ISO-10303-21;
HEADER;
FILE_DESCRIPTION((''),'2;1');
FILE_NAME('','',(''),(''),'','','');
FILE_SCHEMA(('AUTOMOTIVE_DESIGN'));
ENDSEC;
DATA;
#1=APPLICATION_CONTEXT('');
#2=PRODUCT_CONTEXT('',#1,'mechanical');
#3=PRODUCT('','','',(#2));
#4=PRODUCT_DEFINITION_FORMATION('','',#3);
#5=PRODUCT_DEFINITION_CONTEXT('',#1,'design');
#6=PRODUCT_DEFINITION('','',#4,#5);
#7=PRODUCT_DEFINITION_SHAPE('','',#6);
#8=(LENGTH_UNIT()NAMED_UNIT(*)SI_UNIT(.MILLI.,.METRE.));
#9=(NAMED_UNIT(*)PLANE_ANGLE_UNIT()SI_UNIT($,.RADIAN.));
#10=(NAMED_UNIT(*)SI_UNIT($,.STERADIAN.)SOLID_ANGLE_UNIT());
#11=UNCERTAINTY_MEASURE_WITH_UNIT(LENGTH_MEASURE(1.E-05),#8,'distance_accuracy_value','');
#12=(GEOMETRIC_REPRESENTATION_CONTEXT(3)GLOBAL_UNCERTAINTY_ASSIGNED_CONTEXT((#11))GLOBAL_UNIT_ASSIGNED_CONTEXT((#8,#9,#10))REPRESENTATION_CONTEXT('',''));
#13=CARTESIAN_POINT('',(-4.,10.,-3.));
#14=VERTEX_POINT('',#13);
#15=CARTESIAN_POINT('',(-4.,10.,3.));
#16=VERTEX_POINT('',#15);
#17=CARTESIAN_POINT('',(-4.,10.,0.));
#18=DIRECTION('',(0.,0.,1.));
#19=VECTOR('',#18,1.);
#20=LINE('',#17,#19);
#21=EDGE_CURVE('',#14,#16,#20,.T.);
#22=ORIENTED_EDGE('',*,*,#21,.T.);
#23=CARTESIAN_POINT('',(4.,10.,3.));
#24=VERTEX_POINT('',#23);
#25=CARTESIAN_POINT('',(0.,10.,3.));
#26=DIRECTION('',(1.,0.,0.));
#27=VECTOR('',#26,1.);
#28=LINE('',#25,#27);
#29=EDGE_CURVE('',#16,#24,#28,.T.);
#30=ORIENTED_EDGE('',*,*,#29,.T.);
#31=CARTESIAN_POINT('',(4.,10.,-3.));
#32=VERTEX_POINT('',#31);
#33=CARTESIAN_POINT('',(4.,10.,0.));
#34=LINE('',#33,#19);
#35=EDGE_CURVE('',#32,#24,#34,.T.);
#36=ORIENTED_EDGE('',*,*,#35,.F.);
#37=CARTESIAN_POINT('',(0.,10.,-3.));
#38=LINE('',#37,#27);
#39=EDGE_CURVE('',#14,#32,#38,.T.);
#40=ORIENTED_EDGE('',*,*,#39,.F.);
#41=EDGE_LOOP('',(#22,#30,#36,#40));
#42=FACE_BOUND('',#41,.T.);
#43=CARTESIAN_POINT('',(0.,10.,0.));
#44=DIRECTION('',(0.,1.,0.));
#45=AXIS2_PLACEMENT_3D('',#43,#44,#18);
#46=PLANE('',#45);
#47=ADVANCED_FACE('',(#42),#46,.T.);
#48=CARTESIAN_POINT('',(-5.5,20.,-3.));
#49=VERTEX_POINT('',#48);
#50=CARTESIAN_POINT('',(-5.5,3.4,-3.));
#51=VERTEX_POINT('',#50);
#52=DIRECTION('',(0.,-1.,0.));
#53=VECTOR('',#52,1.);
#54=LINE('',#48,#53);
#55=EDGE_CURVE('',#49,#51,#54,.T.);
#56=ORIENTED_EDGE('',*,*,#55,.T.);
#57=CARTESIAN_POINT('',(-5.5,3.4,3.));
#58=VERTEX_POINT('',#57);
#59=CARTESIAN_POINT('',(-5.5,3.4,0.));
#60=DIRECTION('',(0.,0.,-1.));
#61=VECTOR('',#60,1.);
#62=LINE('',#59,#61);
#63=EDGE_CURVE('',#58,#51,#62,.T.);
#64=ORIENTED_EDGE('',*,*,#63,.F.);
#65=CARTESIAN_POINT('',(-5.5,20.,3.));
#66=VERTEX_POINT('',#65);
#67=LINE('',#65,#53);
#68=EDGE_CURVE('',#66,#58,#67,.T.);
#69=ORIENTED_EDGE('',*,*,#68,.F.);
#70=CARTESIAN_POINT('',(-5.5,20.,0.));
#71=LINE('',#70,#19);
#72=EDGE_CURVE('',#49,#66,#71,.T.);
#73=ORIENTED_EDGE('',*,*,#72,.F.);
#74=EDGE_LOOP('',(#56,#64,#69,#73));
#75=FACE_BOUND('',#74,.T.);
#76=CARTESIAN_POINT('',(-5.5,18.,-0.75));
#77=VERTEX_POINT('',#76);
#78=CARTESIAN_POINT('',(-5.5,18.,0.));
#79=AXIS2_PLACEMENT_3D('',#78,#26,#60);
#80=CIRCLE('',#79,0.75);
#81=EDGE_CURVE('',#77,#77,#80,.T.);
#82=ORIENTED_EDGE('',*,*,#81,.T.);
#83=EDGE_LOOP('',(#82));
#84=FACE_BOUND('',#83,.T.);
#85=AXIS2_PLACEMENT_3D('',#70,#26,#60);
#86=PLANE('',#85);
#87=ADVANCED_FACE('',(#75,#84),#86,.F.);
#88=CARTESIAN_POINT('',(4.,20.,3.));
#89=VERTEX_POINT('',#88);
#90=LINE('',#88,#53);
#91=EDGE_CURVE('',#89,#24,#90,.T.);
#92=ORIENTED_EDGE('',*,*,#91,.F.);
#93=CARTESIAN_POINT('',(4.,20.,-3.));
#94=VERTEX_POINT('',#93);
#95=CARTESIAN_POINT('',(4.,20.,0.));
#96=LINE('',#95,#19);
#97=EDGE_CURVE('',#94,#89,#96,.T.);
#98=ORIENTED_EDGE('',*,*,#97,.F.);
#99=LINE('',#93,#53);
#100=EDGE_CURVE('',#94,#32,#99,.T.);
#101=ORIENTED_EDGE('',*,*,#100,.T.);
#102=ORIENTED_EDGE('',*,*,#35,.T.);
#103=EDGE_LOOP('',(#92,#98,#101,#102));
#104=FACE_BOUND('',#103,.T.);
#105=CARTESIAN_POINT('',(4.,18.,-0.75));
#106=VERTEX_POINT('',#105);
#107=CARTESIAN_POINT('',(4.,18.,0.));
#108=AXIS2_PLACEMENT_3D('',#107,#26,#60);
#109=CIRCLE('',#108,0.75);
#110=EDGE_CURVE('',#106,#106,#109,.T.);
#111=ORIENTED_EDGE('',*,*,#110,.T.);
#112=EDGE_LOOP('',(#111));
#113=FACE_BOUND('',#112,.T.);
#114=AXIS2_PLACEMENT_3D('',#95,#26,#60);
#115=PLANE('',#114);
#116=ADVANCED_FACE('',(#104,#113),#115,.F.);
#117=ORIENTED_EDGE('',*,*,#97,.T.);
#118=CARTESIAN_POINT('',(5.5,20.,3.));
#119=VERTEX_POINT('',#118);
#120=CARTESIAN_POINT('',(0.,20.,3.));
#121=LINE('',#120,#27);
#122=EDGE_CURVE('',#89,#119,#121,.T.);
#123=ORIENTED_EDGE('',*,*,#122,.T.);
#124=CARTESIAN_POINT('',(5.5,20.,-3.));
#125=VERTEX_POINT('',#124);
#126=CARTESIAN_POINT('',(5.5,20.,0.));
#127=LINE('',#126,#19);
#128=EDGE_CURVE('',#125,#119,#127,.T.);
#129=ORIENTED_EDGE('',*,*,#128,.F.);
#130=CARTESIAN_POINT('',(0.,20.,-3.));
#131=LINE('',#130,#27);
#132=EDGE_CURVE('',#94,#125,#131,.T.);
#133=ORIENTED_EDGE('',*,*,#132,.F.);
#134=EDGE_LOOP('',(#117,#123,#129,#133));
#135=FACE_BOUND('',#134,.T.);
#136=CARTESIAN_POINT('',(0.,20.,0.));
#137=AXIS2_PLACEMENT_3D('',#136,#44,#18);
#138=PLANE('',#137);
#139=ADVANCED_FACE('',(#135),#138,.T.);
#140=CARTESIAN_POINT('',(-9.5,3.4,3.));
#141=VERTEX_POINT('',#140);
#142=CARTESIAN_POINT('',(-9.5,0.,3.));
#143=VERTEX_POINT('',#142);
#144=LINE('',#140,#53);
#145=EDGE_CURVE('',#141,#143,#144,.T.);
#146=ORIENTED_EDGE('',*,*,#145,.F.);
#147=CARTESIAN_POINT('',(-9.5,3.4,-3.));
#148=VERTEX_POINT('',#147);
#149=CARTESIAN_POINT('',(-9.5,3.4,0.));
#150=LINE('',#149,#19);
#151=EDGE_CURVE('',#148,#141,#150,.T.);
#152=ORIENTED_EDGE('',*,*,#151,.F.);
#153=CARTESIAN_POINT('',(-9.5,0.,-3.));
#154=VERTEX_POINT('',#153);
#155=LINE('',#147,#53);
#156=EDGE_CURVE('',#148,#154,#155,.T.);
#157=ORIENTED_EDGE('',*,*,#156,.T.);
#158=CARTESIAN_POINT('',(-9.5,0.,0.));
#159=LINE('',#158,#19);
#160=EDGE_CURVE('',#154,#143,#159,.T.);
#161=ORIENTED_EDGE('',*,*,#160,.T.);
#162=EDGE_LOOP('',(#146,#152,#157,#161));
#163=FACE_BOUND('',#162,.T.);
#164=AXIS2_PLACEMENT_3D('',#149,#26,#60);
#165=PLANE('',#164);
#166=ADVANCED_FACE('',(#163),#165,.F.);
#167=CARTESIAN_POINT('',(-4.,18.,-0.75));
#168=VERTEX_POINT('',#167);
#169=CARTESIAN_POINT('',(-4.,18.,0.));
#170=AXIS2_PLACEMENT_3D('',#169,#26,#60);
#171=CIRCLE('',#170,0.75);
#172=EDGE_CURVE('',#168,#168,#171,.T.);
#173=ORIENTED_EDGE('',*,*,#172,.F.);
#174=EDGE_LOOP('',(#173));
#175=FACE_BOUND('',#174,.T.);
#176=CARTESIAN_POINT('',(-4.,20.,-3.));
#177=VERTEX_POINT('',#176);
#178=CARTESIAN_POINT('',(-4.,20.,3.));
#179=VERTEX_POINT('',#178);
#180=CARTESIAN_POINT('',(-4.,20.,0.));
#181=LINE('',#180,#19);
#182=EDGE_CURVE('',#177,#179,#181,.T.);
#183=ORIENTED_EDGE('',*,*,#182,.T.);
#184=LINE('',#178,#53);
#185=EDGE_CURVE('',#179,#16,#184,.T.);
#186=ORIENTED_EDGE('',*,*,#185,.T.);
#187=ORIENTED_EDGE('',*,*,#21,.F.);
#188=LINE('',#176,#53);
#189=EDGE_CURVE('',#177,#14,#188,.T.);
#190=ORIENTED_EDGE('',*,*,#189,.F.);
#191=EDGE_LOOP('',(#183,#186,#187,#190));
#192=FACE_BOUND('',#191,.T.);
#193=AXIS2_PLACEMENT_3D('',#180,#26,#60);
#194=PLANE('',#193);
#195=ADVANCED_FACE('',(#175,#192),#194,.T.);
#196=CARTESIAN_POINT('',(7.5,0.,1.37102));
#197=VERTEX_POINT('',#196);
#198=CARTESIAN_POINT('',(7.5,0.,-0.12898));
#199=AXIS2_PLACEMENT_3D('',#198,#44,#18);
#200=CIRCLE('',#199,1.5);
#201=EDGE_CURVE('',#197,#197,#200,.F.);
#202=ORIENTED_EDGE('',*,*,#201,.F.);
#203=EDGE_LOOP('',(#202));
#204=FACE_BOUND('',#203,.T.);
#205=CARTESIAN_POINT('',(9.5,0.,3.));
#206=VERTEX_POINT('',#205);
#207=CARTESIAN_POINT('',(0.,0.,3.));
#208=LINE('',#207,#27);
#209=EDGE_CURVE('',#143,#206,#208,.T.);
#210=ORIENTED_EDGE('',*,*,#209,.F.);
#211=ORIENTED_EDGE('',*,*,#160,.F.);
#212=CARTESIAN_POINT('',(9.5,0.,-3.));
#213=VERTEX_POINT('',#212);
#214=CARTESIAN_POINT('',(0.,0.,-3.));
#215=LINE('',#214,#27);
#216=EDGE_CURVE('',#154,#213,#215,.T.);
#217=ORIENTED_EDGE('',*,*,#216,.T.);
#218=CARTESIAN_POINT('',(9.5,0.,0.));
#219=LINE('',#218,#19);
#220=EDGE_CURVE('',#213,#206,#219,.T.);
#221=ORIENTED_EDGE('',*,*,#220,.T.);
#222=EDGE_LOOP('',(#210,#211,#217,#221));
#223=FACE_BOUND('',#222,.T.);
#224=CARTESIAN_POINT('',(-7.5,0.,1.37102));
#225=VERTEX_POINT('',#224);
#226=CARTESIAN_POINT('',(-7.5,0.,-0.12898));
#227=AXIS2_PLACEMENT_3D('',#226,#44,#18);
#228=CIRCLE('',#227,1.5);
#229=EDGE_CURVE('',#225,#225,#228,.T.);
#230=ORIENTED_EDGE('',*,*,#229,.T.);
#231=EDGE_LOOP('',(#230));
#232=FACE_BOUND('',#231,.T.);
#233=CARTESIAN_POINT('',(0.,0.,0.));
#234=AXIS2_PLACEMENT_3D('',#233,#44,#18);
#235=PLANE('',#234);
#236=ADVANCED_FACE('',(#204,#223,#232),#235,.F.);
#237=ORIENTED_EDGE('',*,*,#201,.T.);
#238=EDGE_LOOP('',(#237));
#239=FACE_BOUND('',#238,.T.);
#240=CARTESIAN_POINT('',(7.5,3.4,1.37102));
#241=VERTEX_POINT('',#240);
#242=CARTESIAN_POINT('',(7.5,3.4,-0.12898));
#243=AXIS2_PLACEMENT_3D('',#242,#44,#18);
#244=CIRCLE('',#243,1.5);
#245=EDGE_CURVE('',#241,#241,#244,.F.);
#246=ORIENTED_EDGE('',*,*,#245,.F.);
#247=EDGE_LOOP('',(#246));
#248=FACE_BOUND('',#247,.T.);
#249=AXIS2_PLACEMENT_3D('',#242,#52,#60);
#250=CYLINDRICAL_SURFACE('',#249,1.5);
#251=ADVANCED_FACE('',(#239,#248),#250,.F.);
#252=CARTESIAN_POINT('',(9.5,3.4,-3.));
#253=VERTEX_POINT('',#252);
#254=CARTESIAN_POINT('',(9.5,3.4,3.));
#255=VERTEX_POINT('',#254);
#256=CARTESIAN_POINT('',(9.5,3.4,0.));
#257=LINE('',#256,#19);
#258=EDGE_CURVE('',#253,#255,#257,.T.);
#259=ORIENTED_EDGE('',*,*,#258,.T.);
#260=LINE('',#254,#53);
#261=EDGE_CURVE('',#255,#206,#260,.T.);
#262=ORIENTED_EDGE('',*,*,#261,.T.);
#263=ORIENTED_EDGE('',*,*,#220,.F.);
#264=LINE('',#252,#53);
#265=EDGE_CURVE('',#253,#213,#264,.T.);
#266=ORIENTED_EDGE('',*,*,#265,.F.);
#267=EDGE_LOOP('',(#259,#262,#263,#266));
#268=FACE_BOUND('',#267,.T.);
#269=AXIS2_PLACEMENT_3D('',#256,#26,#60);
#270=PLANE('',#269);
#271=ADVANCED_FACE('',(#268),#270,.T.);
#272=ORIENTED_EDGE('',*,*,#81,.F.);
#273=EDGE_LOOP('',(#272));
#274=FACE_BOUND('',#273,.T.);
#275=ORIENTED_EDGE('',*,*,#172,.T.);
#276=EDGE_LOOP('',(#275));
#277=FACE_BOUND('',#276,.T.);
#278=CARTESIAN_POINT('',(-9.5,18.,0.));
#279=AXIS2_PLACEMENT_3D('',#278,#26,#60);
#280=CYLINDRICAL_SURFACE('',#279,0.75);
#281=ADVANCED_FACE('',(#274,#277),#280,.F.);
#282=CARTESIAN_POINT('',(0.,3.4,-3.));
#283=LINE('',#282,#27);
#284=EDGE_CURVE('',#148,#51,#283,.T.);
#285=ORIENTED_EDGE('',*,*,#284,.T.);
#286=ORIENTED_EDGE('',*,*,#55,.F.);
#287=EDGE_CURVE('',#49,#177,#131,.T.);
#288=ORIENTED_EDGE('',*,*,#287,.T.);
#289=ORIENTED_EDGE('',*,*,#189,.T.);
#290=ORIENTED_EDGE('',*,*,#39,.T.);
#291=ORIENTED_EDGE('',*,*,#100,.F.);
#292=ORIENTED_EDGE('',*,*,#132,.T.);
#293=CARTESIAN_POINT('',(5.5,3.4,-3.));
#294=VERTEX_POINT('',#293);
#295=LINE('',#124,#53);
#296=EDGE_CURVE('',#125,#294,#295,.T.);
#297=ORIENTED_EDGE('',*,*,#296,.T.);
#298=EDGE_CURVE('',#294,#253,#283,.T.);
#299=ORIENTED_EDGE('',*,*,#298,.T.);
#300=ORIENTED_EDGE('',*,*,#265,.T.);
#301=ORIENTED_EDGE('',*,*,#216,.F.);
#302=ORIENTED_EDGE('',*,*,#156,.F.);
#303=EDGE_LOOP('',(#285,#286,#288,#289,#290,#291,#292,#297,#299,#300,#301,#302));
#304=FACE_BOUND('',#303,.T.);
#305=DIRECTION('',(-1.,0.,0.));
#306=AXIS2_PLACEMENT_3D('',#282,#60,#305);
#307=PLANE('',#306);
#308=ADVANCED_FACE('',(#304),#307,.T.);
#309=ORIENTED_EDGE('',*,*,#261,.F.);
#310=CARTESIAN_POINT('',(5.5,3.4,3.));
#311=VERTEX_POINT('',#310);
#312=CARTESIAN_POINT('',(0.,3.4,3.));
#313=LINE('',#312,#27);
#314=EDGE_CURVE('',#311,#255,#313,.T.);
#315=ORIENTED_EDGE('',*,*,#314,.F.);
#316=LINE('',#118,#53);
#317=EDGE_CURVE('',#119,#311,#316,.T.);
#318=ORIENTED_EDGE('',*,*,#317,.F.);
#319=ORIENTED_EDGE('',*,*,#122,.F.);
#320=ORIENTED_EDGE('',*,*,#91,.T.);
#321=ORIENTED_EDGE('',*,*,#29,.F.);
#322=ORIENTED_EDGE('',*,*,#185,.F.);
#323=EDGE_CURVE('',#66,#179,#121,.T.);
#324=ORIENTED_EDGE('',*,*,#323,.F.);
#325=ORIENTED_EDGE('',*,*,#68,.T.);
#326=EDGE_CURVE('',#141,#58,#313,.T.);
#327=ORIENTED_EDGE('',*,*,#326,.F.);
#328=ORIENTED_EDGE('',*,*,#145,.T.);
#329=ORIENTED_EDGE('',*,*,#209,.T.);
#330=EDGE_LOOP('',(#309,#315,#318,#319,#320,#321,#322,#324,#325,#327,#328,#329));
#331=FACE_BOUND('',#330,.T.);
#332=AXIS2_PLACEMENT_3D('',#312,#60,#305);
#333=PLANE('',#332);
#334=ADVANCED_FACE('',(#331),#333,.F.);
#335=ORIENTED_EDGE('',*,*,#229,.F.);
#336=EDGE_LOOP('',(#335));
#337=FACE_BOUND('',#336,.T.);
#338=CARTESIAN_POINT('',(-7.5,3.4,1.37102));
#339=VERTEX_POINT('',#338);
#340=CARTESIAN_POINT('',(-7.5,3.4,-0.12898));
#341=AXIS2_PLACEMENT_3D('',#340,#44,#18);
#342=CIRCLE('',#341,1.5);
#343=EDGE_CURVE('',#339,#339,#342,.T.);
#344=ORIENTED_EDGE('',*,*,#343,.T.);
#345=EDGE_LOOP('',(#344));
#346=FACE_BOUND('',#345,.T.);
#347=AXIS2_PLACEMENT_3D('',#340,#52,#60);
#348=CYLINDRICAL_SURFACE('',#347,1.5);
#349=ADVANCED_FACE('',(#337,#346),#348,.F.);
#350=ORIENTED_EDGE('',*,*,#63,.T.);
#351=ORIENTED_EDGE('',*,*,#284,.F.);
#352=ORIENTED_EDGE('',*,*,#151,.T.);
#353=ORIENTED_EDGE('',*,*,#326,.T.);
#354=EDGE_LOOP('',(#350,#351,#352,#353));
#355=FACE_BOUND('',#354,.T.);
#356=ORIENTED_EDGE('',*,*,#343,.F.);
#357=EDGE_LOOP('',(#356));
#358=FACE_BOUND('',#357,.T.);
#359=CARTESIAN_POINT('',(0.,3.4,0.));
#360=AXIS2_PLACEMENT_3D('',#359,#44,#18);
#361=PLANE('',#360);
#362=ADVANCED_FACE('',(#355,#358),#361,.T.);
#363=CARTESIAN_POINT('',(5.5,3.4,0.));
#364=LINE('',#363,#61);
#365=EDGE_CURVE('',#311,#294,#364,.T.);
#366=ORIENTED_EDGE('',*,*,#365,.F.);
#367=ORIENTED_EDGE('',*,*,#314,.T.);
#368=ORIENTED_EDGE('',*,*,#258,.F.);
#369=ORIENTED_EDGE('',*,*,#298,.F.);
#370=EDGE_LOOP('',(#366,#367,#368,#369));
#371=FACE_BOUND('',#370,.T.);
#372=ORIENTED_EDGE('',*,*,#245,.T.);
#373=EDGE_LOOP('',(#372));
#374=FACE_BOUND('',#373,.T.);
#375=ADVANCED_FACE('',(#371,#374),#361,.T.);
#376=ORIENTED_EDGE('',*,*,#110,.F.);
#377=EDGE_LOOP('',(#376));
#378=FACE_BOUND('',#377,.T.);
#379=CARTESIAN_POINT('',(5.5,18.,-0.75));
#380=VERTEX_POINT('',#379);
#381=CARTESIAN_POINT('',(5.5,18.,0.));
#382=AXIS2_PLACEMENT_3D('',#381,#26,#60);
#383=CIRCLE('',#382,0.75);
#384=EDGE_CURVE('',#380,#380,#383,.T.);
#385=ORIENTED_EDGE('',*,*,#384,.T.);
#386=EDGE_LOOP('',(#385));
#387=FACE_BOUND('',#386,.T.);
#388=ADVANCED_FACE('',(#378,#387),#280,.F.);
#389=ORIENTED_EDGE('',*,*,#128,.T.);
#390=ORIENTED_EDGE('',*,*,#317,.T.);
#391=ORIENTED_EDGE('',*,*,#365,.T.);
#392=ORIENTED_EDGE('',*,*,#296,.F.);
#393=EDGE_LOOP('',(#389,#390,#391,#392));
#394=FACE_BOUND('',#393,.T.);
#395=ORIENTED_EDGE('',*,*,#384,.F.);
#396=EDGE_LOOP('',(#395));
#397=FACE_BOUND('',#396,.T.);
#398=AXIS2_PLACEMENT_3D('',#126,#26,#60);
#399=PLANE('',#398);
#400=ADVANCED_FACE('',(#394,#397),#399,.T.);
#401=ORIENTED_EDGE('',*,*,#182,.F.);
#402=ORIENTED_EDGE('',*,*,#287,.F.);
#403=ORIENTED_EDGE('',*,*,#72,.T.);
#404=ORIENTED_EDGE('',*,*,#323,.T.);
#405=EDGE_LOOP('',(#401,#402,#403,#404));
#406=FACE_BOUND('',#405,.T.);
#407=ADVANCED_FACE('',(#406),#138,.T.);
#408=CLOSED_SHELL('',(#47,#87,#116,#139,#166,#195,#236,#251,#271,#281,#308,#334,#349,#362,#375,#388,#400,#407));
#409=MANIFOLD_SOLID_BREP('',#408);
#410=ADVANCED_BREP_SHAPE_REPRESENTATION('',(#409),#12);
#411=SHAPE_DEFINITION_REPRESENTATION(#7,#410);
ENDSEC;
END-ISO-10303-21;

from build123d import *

# Parameters (mm, degrees)
SKETCH1_R               = 1.5
BOSS_EXTRUDE1_DEPTH     = 3.4
SKETCH1_4_W             = 1.5
SKETCH1_4_H             = 6
BOSS_EXTRUDE2_DEPTH     = 20
CUT_EXTRUDE1_DEPTH      = 26.179356624
CUT_EXTRUDE1_DEPTH_BACK = 26.179356624
SKETCH2_R               = 0.75
BOSS_EXTRUDE3_DEPTH     = 10


with BuildPart() as part:
    # Sketch1 → Boss-Extrude1 (new body)
    with BuildSketch(Plane(origin=(0, 0, 0), x_dir=(1, 0, 0), z_dir=(0, 1, 0))):
        Polygon((-9.5, 3), (-9.5, -3), (9.5, -3), (9.5, 3), (0, 3), align=None)
        with Locations((-7.5, 0.128979829)):
            Circle(SKETCH1_R, mode=Mode.SUBTRACT)
        with Locations((7.5, 0.128979829)):
            Circle(SKETCH1_R, mode=Mode.SUBTRACT)
    extrude(amount=BOSS_EXTRUDE1_DEPTH)

    # Sketch1<4> → Boss-Extrude2 (add)
    with BuildSketch(Plane(origin=(0, 0, 0), x_dir=(1, 0, 0), z_dir=(0, 1, 0))):
        with Locations((-4.75, 0)):
            Rectangle(SKETCH1_4_W, SKETCH1_4_H)
        with Locations((4.75, 0)):
            Rectangle(SKETCH1_4_W, SKETCH1_4_H)
    extrude(amount=BOSS_EXTRUDE2_DEPTH)

    # Sketch2 → Cut-Extrude1 (cut, two sides: drawn at the far end of the back side and taken through both)
    with BuildSketch(Plane(origin=(5.5, 0, 0), x_dir=(0, 0, -1), z_dir=(1, 0, 0)).offset(-CUT_EXTRUDE1_DEPTH_BACK)):
        with Locations((0, 18)):
            Circle(SKETCH2_R)
    extrude(amount=CUT_EXTRUDE1_DEPTH + CUT_EXTRUDE1_DEPTH_BACK, mode=Mode.SUBTRACT)

    # Sketch1<5> → Boss-Extrude3 (add)
    with BuildSketch(Plane(origin=(0, 0, 0), x_dir=(1, 0, 0), z_dir=(0, 1, 0))):
        Polygon((0, 3), (-4, 3), (-4, -3), (4, -3), (4, 3), align=None)
    extrude(amount=BOSS_EXTRUDE3_DEPTH)


solid = part.part
